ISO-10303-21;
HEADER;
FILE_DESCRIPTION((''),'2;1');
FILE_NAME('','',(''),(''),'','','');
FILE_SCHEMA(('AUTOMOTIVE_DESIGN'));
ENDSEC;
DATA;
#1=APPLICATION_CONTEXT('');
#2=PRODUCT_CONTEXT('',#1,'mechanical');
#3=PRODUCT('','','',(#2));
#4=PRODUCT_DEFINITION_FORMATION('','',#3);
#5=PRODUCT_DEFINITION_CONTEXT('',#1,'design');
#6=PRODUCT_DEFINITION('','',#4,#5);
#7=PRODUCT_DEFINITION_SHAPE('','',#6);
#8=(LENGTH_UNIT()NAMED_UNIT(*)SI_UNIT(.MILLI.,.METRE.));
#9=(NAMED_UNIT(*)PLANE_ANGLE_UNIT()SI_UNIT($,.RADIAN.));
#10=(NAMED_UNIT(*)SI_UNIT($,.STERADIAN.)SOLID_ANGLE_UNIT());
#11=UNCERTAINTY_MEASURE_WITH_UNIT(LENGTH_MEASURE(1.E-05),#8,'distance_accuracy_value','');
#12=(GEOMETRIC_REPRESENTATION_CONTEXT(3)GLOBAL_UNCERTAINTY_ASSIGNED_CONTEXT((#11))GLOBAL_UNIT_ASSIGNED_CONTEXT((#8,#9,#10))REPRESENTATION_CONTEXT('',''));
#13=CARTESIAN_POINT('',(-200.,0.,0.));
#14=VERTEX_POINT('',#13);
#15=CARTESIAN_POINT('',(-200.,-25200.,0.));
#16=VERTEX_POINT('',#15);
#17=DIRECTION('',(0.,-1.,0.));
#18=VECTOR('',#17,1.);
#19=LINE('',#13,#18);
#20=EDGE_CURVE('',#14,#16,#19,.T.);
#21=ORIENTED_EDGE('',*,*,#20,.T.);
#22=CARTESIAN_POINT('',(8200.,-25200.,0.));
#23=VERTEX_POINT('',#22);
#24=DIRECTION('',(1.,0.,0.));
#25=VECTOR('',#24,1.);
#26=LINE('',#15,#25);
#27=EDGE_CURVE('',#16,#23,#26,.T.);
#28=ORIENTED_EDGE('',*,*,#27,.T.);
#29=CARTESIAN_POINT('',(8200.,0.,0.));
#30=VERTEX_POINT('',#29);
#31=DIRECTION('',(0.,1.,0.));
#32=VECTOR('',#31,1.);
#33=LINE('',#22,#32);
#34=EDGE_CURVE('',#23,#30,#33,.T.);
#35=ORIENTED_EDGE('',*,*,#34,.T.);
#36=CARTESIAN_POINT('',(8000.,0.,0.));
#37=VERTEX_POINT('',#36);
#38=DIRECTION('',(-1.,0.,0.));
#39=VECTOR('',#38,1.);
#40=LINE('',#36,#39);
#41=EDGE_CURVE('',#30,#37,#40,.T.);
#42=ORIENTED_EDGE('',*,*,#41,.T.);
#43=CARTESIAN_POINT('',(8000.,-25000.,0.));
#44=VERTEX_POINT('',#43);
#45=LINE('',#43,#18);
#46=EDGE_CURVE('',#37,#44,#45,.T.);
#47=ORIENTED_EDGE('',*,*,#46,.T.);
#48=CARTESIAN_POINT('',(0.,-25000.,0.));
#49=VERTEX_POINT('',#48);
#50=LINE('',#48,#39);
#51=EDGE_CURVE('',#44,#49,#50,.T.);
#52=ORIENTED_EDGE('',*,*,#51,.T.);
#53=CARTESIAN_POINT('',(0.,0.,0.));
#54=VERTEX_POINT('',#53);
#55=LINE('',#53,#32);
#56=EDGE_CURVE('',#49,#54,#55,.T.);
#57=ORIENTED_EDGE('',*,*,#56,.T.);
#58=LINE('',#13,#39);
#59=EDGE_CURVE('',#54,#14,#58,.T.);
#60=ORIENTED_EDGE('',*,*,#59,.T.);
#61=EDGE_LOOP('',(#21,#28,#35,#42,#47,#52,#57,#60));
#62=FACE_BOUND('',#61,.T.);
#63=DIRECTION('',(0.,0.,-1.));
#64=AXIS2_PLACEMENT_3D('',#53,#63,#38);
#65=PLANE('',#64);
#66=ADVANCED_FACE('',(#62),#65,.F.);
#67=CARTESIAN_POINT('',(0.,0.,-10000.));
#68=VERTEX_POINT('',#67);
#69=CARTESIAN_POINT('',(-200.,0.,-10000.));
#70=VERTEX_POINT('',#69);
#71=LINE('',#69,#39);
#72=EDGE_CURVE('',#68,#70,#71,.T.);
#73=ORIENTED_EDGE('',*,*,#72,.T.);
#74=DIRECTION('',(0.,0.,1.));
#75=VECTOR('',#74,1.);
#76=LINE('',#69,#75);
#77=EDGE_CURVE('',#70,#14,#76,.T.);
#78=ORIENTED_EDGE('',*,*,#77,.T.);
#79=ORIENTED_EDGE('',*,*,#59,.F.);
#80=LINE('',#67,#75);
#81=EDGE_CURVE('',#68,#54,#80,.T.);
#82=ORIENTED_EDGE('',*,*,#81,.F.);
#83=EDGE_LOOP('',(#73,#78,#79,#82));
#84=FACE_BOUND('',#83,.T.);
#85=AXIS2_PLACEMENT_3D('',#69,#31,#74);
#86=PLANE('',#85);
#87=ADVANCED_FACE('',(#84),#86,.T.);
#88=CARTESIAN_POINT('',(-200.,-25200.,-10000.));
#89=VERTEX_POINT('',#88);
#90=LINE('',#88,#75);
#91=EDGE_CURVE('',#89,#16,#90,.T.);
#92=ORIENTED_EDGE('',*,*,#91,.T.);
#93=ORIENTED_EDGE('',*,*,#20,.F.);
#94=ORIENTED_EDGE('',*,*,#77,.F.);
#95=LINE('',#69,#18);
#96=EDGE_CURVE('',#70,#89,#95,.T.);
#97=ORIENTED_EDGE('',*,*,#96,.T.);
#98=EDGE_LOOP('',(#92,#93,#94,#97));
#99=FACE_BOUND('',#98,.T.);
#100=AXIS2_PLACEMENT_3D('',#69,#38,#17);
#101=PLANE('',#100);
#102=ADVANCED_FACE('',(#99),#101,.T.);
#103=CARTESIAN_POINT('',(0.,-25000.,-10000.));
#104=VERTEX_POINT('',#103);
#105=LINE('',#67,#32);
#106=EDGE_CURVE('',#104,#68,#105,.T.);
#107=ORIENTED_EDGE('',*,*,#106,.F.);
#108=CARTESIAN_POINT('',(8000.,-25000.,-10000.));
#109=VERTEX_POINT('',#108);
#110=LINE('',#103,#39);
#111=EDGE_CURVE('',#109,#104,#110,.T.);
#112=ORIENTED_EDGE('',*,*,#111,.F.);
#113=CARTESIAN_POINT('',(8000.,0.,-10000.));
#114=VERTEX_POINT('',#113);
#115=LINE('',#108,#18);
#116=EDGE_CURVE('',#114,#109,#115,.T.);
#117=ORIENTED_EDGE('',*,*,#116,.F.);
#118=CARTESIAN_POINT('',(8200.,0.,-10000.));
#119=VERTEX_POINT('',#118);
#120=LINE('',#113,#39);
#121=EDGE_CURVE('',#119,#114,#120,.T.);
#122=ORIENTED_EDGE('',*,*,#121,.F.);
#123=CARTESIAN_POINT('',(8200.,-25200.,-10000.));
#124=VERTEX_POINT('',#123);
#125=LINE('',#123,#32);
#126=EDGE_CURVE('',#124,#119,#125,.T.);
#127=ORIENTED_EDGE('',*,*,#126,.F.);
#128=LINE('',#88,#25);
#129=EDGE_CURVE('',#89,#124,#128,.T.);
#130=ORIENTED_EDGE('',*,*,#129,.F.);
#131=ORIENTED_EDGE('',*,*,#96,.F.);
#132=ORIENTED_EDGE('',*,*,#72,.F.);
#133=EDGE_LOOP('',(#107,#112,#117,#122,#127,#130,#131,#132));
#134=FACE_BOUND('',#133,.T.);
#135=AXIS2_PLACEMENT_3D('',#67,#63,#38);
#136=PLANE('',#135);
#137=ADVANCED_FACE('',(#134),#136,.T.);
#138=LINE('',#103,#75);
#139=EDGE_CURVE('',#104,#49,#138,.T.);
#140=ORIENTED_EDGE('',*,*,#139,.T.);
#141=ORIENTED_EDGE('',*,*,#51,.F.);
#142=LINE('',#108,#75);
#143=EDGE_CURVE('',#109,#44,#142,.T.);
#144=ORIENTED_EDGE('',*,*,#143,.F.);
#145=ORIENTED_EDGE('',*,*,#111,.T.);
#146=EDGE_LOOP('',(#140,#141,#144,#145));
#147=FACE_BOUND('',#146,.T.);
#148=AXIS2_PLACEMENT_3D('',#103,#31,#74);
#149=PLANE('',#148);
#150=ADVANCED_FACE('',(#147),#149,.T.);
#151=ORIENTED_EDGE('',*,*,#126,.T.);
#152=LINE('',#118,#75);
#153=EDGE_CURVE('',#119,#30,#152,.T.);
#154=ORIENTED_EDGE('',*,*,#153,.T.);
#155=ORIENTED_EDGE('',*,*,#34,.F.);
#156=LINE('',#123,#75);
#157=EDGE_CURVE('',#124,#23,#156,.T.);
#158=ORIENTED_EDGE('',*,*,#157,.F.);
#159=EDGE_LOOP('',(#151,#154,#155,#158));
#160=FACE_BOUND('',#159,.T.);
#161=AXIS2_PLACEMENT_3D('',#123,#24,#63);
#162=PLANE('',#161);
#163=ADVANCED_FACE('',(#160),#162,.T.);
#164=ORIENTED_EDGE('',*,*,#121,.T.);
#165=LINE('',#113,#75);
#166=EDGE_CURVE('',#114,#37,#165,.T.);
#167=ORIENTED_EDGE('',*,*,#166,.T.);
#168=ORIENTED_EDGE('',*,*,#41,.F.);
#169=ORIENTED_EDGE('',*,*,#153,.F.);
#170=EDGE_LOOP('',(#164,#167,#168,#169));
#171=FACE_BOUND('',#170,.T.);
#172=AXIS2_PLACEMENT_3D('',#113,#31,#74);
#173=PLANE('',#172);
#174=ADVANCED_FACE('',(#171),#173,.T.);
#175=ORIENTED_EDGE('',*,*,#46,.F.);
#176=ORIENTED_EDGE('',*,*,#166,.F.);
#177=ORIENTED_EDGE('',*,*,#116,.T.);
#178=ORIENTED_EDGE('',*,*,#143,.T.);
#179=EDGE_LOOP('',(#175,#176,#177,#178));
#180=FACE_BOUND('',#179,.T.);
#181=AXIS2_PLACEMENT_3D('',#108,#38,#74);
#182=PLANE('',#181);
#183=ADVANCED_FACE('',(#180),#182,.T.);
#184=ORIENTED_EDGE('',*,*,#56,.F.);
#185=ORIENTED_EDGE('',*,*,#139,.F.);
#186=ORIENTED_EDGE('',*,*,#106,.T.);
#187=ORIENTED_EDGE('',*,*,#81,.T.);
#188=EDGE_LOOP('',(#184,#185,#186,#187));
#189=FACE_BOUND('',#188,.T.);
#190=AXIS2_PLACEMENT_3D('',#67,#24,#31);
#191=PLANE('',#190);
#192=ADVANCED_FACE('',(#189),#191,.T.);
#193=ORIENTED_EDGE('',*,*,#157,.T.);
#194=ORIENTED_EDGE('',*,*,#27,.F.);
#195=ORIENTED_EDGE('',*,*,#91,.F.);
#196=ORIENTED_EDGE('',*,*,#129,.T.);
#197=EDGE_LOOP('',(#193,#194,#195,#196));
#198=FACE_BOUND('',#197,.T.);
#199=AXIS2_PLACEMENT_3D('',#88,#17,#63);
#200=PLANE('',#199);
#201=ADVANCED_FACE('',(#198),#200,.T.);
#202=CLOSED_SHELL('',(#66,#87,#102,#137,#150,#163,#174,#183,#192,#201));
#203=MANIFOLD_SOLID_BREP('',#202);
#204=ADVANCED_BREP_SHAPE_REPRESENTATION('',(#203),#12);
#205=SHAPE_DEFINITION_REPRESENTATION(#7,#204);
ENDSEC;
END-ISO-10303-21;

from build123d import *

# Parameters (mm, degrees)
BOSS_EXTRUDE1_DEPTH = 10000


with BuildPart() as part:
    # Sketch2 → Boss-Extrude1 (new body)
    with BuildSketch(Plane.XY):
        Polygon((0, 0), (0, -25000), (8000, -25000), (8000, 0), (8200, 0), (8200, -25200), (-200, -25200), (-200, 0), align=None)
    extrude(amount=-BOSS_EXTRUDE1_DEPTH)


solid = part.part
